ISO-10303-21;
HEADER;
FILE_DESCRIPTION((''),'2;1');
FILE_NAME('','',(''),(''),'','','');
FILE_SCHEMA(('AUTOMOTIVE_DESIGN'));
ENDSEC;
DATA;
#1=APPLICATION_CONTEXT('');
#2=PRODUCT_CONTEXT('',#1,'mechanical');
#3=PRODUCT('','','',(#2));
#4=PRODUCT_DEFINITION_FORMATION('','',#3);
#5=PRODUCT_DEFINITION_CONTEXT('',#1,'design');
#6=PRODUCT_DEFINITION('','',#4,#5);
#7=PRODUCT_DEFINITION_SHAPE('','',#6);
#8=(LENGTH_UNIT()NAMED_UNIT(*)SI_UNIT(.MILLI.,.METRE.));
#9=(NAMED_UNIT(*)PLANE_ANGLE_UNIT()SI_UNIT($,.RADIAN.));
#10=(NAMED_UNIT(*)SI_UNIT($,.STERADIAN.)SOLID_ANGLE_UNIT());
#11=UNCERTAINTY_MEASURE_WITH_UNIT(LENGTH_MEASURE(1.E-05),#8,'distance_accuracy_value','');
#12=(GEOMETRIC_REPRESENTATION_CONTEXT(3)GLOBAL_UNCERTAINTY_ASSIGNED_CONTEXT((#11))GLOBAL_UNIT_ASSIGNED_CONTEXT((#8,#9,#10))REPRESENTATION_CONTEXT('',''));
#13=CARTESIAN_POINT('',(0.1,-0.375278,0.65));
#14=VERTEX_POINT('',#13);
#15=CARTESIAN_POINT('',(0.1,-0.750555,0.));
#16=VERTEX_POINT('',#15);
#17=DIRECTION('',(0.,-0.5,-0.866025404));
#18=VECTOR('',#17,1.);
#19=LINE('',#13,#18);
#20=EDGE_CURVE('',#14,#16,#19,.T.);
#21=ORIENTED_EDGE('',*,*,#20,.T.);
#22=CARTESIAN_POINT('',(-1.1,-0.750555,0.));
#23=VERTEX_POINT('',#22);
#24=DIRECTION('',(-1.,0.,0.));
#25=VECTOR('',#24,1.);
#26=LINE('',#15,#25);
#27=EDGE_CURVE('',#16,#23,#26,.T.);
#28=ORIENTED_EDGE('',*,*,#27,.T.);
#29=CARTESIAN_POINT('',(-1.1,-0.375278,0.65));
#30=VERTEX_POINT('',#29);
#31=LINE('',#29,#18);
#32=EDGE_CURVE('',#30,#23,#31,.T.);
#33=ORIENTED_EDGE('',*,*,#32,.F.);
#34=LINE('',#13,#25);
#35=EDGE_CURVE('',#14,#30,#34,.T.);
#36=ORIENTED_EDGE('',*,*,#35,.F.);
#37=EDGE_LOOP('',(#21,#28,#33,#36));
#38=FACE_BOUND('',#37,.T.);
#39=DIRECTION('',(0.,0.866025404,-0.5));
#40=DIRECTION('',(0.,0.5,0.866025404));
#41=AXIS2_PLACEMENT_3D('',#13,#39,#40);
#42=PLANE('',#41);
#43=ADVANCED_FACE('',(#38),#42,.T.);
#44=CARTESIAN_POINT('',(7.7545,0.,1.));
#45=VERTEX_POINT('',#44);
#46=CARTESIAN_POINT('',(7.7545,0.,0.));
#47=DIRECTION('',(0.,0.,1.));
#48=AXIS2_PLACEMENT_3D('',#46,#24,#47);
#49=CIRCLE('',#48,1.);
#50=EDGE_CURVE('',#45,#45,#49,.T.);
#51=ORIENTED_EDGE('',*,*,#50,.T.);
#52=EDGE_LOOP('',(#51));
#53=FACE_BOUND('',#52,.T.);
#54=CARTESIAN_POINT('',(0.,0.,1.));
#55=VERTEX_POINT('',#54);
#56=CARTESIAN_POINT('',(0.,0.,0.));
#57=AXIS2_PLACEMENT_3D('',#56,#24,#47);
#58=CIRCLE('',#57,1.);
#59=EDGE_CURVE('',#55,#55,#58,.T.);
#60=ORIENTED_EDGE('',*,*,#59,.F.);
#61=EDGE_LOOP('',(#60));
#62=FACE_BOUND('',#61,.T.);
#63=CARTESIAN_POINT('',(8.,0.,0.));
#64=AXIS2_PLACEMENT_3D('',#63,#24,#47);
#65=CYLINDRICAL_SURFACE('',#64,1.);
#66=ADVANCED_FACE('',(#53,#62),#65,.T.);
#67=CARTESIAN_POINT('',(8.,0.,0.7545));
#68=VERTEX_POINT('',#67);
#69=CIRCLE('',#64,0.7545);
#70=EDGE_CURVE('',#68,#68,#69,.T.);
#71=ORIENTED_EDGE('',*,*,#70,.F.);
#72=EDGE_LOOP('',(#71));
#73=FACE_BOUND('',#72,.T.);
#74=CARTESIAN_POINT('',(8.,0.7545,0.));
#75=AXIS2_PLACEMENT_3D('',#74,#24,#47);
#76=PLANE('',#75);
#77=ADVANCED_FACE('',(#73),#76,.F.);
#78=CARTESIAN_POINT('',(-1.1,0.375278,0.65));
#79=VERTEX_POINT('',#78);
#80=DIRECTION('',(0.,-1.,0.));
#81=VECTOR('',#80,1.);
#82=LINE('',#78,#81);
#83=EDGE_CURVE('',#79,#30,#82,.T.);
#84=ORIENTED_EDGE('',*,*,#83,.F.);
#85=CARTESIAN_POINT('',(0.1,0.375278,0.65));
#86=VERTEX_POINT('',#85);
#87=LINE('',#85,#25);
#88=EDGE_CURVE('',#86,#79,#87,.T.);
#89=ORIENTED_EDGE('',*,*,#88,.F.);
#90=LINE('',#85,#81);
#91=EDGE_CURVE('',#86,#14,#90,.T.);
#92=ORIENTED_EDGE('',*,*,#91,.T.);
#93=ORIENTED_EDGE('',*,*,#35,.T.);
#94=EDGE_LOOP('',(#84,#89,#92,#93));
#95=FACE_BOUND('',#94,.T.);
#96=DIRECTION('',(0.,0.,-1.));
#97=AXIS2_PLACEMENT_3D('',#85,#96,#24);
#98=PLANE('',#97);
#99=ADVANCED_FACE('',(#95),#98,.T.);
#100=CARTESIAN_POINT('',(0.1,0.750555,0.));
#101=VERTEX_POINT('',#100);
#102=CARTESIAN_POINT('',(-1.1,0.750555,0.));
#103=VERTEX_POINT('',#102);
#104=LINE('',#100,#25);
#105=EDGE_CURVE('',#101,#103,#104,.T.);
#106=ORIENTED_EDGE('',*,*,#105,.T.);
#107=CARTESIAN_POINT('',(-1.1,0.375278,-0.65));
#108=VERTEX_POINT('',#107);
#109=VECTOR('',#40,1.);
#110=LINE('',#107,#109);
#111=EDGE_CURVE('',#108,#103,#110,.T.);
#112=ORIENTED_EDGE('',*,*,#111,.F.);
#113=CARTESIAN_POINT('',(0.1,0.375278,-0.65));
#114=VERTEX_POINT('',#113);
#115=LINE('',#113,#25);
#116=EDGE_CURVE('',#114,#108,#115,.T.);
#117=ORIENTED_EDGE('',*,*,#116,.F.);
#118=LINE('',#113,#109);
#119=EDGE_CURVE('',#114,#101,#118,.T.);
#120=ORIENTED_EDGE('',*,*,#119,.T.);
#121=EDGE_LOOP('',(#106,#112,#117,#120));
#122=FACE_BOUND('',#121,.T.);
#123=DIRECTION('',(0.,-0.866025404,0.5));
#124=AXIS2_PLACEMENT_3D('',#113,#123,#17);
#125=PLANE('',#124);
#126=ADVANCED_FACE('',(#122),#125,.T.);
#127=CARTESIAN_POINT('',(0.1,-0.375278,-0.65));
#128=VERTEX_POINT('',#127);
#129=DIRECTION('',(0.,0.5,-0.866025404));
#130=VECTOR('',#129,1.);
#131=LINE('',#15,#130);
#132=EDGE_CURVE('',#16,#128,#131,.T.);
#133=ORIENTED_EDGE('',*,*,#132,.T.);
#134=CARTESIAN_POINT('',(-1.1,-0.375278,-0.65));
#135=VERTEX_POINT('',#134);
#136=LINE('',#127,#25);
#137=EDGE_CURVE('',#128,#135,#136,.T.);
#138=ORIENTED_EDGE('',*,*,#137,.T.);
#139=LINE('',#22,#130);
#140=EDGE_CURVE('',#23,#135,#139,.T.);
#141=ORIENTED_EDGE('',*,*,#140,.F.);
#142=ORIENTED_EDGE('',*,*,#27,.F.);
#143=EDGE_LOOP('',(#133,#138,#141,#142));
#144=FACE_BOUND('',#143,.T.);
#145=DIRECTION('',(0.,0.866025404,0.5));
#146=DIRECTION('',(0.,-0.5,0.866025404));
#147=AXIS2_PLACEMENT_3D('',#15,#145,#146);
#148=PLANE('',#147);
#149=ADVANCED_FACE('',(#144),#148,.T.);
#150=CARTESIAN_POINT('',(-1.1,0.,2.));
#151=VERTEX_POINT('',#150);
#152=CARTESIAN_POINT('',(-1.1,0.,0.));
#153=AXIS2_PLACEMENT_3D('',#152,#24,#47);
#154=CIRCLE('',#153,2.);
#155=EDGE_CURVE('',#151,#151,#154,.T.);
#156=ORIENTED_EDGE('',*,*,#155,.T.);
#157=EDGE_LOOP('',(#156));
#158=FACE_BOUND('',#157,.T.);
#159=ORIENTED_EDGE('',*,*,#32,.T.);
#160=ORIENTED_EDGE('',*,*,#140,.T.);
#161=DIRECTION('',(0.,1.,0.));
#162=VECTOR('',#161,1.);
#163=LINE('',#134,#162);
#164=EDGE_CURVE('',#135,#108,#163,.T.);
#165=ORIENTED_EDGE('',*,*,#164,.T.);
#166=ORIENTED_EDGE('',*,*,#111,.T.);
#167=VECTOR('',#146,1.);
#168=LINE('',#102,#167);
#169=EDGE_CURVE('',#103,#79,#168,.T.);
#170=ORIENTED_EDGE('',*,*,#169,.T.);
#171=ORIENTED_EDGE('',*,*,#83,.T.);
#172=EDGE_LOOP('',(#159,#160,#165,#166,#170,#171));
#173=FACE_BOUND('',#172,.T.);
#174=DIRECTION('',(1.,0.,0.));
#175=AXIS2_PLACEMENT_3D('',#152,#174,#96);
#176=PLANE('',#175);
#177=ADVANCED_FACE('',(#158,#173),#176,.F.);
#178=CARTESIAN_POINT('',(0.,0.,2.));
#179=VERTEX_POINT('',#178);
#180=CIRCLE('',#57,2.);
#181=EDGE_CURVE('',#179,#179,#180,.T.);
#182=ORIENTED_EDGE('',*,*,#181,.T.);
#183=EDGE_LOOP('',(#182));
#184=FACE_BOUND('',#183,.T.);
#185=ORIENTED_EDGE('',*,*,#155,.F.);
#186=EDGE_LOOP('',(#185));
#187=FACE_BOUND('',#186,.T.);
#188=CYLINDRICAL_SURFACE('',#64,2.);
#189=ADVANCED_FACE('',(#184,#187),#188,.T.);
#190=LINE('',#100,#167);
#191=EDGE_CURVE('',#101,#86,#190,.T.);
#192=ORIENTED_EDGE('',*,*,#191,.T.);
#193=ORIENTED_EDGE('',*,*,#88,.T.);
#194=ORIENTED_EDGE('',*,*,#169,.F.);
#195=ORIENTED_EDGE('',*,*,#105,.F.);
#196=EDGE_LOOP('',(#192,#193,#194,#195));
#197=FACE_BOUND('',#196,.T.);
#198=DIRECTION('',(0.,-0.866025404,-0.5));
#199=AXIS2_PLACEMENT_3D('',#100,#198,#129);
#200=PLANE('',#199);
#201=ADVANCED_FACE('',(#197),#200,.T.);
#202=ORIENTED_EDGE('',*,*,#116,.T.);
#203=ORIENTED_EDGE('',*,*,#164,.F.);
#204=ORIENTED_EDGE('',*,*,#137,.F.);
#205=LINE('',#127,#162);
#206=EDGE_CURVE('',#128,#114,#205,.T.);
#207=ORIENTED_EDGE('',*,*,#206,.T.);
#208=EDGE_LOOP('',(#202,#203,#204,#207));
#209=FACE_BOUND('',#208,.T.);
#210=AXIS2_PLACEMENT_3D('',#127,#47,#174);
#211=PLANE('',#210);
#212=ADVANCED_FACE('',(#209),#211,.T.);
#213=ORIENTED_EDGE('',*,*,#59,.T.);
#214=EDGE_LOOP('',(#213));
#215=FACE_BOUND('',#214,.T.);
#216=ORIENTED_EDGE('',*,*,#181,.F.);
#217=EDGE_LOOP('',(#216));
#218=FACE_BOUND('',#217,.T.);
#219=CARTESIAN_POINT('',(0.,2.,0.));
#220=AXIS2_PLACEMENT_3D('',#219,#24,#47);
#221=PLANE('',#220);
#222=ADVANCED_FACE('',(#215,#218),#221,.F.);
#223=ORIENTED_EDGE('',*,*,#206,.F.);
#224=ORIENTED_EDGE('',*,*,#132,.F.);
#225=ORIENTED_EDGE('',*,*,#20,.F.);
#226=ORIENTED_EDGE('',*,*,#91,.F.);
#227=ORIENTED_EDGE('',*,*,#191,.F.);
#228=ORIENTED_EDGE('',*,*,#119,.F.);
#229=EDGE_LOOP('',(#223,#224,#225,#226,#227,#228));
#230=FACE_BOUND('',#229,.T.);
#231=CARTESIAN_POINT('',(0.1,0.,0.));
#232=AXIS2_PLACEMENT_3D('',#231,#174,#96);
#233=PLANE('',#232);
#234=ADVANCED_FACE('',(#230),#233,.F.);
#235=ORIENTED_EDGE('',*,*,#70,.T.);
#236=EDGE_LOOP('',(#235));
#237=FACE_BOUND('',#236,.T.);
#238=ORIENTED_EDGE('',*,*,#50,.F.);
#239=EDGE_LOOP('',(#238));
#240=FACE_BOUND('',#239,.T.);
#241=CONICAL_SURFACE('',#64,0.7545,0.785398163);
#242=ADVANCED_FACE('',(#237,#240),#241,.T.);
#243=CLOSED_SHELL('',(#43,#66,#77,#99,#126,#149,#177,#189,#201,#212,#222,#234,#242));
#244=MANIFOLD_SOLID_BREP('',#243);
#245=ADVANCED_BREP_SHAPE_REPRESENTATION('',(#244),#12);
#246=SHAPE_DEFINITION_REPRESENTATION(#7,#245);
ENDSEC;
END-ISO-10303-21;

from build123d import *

# Parameters (mm, degrees)
CUT_EXTRUDE1_DEPTH = 1.2


with BuildPart() as part:
    # Sketch1 → Revolve1 (revolve)
    with BuildSketch(Plane.XY):
        Polygon((-1.1, 0), (-1.1, 2), (0, 2), (0, 1), (7.7545, 1), (8, 0.7545), (8, 0), align=None)
    revolve(axis=Axis((8, 0, 0), (-1, 0, 0)))

    # Sketch2 → Cut-Extrude1 (cut)
    with BuildSketch(Plane(origin=(-1.1, 0, 0), x_dir=(0, 0, -1), z_dir=(1, 0, 0))):
        Polygon((-0.65, -0.375277675), (0, -0.75055535), (0.65, -0.375277675), (0.65, 0.375277675), (0, 0.75055535), (-0.65, 0.375277675), align=None)
    extrude(amount=CUT_EXTRUDE1_DEPTH, mode=Mode.SUBTRACT)


solid = part.part
